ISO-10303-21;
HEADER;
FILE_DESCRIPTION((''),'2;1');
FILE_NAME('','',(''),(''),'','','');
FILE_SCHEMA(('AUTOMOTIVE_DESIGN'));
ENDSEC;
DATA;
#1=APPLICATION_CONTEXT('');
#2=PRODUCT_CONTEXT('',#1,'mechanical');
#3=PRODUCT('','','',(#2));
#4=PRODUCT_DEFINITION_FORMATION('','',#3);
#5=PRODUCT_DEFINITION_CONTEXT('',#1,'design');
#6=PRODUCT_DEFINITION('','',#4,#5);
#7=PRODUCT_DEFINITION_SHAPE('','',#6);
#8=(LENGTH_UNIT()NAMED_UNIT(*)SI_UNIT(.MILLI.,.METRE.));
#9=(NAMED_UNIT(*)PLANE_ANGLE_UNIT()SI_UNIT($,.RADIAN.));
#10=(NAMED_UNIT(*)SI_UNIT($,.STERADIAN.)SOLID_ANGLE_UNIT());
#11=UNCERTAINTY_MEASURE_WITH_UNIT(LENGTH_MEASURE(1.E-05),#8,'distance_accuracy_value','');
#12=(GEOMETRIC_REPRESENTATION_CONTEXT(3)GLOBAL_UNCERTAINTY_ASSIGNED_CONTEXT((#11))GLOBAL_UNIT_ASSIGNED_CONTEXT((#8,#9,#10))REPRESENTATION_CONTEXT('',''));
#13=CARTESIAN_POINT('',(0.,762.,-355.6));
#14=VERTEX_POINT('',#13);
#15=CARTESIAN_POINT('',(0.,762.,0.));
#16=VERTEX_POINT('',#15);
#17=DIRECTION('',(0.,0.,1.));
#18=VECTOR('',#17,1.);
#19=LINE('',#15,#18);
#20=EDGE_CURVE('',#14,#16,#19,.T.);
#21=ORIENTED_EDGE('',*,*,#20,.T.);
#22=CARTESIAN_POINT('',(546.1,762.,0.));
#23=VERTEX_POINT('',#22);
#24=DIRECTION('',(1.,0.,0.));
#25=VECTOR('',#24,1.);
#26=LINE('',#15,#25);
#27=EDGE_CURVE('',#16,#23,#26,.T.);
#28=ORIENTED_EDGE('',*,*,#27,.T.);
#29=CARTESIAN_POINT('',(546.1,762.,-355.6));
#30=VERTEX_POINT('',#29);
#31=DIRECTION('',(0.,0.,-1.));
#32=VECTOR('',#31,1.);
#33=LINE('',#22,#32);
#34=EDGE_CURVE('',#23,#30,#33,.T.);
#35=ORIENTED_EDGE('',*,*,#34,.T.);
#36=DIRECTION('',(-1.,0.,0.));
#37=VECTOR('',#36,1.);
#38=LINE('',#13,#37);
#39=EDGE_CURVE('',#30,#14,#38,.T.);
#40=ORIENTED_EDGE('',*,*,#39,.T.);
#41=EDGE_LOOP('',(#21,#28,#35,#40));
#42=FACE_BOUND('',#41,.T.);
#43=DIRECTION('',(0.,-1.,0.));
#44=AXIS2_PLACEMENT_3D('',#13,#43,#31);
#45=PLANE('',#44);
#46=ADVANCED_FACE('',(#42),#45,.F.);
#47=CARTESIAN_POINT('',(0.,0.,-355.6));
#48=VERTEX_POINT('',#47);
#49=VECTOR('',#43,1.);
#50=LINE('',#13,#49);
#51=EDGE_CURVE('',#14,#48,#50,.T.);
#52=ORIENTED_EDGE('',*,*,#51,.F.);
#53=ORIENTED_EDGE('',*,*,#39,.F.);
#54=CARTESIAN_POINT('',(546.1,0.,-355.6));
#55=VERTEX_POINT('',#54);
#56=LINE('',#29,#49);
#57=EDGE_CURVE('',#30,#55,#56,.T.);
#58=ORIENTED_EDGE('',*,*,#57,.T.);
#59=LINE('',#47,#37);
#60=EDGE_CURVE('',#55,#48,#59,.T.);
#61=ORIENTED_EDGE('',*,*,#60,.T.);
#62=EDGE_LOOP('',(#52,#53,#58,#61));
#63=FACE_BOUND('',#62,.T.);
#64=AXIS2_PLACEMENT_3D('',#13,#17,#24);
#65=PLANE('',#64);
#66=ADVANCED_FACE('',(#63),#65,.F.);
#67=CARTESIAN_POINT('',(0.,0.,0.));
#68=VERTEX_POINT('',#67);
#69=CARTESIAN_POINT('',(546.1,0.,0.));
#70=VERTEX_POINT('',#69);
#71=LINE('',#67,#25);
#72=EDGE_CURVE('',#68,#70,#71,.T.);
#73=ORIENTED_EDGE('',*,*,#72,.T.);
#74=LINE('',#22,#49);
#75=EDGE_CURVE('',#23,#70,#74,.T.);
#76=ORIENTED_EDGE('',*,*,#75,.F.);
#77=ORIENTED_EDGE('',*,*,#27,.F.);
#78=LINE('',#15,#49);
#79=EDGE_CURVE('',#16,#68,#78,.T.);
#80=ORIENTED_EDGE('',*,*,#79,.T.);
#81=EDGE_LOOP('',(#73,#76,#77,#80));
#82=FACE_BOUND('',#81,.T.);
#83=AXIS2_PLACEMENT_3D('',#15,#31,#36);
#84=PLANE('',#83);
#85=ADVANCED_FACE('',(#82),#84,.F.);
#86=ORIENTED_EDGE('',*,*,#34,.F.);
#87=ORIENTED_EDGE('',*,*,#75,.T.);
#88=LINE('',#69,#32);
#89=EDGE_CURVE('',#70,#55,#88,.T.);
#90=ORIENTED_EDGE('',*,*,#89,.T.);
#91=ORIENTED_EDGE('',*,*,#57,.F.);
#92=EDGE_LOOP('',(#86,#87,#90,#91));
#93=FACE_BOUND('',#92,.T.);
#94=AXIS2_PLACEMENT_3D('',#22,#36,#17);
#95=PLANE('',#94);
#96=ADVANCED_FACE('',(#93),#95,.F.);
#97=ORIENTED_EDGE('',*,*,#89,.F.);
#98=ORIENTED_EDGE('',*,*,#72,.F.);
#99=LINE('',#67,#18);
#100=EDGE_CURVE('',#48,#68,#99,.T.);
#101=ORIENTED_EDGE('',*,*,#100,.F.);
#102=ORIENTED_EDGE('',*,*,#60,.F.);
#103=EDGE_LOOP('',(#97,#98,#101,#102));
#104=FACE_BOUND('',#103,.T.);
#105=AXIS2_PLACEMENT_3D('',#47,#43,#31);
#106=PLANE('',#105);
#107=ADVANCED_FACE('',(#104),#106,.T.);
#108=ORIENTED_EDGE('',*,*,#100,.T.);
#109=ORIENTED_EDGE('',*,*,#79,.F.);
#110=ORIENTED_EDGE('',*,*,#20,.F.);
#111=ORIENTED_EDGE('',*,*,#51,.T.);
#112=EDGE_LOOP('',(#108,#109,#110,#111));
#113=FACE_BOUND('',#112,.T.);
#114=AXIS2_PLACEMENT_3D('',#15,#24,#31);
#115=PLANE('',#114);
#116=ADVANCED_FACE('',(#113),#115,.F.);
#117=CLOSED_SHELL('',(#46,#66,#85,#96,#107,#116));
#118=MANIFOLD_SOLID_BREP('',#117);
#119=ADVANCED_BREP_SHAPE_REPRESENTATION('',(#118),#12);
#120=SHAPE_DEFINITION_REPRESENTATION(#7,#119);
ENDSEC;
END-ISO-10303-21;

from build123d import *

# Parameters (mm, degrees)
SKETCH1_W      = 546.1
SKETCH1_H      = 355.6
EXTRUDE1_DEPTH = 762


with BuildPart() as part:
    # Sketch1 → Extrude1 (new body)
    with BuildSketch(Plane(origin=(0, 0, 0), x_dir=(1, 0, 0), z_dir=(0, 1, 0))):
        with Locations((273.05, 177.8)):
            Rectangle(SKETCH1_W, SKETCH1_H)
    extrude(amount=EXTRUDE1_DEPTH)


solid = part.part
